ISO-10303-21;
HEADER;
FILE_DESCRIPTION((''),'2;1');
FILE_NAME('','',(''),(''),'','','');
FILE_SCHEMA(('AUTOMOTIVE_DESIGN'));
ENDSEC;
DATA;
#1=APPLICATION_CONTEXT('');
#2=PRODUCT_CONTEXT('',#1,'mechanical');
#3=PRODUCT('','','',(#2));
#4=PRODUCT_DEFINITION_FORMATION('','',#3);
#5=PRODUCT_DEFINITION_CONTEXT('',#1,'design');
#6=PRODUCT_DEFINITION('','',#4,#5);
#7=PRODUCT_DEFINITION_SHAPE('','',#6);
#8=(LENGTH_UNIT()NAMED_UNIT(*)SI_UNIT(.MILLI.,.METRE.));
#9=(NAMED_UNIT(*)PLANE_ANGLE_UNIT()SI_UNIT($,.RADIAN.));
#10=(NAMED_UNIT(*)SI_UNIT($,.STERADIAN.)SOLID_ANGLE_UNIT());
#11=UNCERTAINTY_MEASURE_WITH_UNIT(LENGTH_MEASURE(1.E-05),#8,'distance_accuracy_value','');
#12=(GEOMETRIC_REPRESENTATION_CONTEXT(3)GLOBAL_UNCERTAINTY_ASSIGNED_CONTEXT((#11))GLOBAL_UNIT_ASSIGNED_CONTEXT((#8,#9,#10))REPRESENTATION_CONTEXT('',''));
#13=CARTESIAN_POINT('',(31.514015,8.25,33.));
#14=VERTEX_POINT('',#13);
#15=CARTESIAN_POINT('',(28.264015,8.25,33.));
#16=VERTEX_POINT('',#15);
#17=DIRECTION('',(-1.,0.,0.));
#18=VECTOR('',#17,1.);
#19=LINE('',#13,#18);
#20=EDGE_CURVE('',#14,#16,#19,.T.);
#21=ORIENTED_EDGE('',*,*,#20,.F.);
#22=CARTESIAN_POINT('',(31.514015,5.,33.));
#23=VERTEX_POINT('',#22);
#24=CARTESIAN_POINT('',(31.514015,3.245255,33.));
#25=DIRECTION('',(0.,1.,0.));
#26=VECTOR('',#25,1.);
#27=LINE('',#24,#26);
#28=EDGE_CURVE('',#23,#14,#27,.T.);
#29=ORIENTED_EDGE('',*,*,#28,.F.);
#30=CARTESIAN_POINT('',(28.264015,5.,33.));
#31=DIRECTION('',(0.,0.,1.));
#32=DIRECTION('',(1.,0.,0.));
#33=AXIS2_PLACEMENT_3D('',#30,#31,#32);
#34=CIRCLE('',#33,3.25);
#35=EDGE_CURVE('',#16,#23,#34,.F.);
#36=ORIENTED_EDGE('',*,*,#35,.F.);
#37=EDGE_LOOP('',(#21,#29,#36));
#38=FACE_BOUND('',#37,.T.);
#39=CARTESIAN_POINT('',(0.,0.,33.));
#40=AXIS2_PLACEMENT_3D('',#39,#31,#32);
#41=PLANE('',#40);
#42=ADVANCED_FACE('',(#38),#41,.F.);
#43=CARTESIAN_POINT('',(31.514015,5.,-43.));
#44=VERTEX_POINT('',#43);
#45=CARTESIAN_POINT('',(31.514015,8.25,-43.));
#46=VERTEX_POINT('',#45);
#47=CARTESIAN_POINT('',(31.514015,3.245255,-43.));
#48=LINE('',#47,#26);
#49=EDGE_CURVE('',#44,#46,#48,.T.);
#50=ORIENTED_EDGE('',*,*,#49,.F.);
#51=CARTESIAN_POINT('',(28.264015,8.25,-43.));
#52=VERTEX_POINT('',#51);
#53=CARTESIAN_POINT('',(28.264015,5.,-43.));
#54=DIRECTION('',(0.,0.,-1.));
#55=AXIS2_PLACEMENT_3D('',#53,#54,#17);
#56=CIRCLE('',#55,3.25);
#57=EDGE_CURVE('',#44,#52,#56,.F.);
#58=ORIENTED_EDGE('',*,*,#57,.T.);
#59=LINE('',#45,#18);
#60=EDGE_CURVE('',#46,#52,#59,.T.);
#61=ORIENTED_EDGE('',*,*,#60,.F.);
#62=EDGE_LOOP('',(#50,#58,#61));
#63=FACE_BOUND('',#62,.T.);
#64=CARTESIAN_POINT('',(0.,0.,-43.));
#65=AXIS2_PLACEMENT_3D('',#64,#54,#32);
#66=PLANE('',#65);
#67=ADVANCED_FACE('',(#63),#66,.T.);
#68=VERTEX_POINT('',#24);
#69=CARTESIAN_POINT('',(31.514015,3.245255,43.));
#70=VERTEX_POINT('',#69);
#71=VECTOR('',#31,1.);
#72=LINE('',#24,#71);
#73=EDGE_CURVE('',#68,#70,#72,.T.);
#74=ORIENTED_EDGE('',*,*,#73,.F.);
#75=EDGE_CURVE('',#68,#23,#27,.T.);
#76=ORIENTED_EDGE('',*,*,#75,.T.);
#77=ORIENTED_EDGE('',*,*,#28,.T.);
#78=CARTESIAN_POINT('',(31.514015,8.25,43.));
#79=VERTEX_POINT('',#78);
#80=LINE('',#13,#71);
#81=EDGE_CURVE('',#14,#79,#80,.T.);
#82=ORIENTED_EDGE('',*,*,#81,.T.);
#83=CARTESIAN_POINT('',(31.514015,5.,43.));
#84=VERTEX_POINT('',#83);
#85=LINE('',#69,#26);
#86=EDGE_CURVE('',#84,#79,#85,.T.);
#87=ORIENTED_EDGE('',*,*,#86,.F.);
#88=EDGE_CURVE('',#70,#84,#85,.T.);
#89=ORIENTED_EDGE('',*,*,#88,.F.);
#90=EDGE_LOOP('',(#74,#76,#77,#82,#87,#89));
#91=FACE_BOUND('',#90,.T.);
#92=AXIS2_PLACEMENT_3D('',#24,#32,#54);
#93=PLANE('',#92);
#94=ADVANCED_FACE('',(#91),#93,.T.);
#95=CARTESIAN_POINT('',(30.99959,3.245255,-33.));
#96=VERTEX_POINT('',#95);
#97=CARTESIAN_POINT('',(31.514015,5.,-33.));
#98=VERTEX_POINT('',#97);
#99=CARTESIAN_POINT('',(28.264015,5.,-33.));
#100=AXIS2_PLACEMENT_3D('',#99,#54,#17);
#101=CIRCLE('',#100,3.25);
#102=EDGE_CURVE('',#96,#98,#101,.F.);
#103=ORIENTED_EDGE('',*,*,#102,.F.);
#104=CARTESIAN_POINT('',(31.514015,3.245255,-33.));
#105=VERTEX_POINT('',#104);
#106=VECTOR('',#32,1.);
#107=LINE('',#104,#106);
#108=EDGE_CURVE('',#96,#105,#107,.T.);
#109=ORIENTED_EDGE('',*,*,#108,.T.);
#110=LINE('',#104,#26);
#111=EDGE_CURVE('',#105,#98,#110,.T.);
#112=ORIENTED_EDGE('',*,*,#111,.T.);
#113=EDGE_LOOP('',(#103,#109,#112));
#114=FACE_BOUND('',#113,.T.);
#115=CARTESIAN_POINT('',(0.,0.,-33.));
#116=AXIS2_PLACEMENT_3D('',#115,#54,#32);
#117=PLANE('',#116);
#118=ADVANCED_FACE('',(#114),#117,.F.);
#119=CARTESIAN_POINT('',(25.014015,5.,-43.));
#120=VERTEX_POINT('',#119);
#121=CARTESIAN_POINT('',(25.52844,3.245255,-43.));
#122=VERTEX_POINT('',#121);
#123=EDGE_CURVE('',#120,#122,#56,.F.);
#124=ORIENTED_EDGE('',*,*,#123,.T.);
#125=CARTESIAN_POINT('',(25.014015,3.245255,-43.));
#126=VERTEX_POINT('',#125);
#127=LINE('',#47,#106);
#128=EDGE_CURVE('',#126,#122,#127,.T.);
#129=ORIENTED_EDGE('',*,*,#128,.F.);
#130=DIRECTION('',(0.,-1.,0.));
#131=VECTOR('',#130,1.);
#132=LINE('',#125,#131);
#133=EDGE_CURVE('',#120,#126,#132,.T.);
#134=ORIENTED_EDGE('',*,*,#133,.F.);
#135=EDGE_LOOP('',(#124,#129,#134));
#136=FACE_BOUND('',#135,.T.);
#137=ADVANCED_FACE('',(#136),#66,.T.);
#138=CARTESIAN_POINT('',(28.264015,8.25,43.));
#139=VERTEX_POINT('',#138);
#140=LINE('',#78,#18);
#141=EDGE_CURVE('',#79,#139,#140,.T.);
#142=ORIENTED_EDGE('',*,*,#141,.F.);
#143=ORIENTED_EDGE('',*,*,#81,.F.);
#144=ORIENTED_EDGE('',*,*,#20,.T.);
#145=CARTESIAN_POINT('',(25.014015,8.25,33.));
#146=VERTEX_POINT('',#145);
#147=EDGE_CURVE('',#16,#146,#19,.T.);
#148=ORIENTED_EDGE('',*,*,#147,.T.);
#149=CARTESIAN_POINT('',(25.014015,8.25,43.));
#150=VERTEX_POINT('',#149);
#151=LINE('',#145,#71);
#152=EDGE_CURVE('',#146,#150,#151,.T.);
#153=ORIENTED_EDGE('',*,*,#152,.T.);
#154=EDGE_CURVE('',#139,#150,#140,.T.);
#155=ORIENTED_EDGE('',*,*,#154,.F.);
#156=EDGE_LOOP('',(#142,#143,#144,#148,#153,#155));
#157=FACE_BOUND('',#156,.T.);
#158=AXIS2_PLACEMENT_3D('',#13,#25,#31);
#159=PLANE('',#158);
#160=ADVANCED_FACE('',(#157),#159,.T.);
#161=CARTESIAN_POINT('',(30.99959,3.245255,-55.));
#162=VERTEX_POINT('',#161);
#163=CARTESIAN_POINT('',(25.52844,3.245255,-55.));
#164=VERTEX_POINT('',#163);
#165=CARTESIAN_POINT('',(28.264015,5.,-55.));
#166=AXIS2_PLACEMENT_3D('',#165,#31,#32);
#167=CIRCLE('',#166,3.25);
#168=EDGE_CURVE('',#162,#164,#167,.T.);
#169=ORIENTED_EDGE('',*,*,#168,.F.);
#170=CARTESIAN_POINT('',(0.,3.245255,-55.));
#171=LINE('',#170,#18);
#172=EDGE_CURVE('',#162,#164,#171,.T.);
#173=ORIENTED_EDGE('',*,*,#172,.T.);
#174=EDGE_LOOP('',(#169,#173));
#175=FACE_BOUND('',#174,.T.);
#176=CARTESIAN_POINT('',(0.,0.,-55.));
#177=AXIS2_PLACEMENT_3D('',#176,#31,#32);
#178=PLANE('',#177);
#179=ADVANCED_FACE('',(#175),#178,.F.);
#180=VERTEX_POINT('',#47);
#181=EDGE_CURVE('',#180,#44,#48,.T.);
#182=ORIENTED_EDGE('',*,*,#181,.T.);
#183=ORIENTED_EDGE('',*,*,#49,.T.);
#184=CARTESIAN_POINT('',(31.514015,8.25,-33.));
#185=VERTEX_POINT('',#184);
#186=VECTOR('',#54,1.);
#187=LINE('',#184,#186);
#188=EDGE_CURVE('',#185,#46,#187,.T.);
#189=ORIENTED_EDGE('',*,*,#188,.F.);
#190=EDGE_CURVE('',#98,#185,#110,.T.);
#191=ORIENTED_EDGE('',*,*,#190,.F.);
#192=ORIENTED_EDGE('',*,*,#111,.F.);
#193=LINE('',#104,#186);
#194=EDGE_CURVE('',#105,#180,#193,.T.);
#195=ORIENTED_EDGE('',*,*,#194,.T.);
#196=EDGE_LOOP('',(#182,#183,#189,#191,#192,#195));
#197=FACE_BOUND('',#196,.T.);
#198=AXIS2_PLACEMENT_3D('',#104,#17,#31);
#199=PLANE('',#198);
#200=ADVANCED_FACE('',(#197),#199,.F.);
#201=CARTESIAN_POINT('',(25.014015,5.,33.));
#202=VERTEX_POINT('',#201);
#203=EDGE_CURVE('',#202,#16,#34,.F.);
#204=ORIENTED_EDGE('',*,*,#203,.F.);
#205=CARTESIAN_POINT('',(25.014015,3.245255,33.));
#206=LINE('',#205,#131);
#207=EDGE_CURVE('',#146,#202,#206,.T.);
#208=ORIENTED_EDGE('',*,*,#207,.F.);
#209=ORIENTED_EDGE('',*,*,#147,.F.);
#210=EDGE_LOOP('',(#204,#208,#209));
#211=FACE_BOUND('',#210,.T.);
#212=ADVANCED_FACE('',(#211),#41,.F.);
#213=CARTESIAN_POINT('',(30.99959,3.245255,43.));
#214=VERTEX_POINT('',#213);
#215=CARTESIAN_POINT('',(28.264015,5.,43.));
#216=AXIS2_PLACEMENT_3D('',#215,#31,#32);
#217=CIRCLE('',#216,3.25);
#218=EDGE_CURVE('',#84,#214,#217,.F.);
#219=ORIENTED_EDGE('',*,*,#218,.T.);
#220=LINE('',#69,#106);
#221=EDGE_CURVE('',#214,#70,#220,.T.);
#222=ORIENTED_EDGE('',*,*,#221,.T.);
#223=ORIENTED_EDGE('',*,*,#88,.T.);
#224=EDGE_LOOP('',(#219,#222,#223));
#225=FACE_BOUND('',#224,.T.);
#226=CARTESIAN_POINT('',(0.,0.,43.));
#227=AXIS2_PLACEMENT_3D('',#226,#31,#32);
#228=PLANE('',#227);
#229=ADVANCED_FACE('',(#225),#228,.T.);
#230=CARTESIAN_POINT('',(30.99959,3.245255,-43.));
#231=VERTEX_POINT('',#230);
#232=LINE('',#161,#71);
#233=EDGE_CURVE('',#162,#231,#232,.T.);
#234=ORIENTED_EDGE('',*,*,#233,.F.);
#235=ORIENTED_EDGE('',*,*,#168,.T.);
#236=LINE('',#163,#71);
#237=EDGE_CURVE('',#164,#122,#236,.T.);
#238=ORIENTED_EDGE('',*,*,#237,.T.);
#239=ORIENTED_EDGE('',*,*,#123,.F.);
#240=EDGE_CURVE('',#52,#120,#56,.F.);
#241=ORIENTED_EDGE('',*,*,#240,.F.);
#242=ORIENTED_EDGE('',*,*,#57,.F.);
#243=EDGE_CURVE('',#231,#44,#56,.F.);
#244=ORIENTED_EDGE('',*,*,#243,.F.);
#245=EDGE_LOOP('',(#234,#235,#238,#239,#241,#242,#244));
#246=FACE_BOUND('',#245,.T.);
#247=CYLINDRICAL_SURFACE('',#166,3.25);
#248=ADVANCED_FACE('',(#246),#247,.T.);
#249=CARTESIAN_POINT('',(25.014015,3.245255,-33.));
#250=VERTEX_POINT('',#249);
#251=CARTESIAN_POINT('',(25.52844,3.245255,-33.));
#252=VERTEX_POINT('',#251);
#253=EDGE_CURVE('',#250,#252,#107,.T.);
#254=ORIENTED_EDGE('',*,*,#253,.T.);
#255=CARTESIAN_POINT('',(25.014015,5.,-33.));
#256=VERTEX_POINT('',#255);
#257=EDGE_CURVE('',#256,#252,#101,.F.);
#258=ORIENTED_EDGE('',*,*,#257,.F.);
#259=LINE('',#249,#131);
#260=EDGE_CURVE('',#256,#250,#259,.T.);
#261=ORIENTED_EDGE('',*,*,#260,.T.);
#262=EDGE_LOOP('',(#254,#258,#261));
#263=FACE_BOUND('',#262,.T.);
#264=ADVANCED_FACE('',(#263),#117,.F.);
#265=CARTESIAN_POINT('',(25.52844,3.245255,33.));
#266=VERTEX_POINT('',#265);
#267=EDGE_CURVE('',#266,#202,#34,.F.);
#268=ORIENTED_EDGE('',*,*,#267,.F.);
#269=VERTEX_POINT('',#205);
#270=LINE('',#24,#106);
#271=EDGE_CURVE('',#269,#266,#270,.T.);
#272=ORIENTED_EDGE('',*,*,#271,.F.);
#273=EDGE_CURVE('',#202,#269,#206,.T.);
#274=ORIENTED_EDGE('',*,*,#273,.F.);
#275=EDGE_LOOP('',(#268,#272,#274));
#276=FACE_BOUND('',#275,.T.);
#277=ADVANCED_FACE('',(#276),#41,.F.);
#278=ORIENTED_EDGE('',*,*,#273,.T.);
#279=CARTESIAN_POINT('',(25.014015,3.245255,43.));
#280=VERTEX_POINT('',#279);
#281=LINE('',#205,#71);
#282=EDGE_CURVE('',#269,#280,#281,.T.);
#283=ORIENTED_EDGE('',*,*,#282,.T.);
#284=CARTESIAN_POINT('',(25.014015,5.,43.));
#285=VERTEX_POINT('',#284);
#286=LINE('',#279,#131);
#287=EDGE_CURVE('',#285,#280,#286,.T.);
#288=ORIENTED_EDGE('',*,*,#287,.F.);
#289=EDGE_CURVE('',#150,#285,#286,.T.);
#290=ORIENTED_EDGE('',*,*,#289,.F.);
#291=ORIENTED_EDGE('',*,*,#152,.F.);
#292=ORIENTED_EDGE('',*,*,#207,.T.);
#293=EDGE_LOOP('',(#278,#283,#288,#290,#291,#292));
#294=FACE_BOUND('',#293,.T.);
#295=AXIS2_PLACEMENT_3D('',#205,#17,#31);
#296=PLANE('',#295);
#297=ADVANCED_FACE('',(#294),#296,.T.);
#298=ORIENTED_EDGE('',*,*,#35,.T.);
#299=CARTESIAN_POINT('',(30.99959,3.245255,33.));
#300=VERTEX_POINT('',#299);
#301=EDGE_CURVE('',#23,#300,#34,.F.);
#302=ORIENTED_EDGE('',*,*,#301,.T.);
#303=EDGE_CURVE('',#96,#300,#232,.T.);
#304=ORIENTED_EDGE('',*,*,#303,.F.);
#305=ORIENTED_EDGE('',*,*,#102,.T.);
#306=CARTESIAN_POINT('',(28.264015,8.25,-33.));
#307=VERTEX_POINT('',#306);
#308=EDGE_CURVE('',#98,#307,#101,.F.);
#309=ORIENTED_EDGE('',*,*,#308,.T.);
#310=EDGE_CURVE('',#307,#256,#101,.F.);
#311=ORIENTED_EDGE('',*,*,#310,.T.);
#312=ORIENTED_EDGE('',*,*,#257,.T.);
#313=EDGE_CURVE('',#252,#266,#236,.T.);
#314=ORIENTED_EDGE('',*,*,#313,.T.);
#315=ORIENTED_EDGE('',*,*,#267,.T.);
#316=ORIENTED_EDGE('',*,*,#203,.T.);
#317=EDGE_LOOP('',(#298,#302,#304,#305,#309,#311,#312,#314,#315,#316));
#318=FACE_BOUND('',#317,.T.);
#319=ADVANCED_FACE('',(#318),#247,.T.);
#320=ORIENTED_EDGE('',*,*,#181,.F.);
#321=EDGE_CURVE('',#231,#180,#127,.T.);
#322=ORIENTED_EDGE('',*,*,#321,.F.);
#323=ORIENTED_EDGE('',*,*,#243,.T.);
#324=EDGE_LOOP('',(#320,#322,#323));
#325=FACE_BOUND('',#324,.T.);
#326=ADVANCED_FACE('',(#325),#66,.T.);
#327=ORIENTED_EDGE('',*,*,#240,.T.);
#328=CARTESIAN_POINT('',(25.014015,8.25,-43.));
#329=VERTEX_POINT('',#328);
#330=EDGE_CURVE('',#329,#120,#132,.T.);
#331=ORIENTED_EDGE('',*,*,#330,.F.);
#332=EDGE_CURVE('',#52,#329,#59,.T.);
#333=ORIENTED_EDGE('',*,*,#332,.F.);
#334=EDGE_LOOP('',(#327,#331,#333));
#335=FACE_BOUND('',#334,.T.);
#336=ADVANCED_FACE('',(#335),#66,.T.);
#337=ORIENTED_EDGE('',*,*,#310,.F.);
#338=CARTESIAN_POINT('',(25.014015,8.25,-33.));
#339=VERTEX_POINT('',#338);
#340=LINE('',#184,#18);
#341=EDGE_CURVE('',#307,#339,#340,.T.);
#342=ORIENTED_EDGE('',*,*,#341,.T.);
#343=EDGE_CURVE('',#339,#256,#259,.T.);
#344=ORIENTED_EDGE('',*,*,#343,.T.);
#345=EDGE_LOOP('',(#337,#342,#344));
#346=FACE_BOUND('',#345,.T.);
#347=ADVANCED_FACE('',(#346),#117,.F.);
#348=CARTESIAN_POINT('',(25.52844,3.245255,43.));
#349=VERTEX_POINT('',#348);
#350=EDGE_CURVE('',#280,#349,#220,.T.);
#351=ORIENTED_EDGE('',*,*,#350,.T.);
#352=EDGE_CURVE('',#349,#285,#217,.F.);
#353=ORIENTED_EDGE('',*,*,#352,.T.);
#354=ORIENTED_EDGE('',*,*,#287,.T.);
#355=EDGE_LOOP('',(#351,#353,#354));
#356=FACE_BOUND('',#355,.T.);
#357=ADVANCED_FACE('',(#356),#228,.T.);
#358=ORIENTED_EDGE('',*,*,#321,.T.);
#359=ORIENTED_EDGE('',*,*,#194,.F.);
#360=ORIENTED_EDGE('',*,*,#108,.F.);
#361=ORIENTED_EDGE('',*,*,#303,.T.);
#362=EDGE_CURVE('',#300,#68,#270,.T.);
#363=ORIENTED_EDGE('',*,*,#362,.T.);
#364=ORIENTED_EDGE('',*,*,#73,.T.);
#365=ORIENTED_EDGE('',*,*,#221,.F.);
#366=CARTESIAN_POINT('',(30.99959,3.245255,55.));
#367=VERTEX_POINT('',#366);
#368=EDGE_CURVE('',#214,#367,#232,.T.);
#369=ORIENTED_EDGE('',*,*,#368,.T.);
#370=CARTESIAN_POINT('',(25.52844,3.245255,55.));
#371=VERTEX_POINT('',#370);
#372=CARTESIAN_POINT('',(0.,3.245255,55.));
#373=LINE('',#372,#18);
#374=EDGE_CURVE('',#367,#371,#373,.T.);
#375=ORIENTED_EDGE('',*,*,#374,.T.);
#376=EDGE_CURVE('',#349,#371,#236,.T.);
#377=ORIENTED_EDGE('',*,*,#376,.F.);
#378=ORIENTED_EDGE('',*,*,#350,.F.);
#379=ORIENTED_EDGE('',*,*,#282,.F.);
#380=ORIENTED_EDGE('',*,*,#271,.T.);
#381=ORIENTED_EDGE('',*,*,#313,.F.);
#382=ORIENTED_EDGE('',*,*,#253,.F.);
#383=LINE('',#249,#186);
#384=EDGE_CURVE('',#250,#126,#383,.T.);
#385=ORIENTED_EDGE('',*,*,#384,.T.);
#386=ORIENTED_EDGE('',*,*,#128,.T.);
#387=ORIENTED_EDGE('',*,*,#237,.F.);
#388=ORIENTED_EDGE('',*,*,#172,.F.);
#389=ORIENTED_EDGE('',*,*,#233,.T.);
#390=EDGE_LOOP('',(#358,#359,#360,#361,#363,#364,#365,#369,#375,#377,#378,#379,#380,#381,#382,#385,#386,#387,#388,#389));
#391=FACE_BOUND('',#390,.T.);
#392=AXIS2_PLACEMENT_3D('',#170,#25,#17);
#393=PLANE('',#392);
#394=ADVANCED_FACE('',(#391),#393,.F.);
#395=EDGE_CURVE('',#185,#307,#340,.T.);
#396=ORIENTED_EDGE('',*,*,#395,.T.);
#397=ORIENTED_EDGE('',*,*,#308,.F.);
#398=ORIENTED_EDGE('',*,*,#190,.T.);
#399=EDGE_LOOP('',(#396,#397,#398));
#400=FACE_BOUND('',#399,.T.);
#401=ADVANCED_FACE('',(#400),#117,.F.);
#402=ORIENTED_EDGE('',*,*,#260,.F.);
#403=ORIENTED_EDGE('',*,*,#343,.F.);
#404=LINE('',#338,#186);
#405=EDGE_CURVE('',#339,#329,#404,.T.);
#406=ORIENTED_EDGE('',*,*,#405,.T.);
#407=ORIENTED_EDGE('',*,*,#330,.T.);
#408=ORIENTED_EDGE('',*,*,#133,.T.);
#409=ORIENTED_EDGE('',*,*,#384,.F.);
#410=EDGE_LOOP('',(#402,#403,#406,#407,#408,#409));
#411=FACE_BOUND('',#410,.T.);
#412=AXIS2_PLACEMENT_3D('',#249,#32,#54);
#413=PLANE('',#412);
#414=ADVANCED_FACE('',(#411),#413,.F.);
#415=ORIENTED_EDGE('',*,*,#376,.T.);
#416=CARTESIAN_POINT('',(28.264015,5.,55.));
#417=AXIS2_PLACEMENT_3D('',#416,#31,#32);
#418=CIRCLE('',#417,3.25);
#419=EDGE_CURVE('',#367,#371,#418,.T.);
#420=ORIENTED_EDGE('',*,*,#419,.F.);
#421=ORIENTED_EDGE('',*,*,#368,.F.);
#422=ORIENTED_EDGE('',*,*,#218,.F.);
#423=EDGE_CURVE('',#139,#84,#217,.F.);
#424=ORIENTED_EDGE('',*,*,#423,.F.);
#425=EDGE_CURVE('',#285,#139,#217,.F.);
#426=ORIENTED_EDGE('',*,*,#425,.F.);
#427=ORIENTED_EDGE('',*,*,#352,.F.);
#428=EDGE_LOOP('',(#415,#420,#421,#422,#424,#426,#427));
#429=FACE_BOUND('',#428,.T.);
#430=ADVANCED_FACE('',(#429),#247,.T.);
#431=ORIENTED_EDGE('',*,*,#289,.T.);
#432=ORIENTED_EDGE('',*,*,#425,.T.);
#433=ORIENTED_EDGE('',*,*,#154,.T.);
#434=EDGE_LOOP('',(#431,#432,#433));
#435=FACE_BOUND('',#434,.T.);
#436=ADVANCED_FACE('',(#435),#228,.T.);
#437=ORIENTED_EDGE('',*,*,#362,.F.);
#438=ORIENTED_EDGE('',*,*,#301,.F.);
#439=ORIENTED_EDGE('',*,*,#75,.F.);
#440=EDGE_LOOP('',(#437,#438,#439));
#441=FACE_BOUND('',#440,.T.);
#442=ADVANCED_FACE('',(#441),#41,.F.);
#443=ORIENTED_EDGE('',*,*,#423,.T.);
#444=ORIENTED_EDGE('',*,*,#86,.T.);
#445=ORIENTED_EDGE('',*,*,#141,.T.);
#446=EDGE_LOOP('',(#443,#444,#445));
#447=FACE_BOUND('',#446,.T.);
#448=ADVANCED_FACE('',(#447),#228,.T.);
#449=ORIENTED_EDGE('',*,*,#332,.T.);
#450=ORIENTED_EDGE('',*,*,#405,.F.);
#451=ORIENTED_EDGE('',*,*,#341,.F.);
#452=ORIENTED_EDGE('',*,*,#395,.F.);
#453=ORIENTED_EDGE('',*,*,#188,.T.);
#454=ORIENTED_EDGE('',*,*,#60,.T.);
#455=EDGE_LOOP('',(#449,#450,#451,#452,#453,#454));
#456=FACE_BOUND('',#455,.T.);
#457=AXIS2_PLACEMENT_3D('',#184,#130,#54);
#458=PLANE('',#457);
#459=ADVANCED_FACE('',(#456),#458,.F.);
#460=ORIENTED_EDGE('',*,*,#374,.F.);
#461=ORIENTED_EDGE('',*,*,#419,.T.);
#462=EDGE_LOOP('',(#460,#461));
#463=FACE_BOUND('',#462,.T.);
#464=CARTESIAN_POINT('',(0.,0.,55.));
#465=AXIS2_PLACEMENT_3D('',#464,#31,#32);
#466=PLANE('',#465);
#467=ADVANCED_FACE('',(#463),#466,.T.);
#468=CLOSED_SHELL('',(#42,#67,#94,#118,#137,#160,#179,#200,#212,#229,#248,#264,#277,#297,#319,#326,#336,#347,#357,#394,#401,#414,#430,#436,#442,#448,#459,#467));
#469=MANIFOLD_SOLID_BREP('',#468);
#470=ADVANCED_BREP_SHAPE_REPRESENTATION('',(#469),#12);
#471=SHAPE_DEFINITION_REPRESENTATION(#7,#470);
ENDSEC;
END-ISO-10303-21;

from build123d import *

# Parameters (mm, degrees)
BOSS_EXTRUDE1_DEPTH      = 55
BOSS_EXTRUDE1_DEPTH_BACK = 55
SKETCH4_W                = 6.5
SKETCH4_H                = 5.004744749
BOSS_EXTRUDE3_DEPTH      = 10


with BuildPart() as part:
    # Sketch2 → Boss-Extrude1 (new, two sides: drawn at the far end of the back side and taken through both)
    with BuildSketch(Plane.XY.offset(-BOSS_EXTRUDE1_DEPTH_BACK)):
        with BuildLine():
            Line((25.528440089, 3.245255251), (30.999590193, 3.245255251))
            ThreePointArc((30.999590193, 3.245255251), (31.382758391, 4.08570216), (31.514015141, 5))
            ThreePointArc((31.514015141, 5), (27.349717301, 8.11874325), (25.528440089, 3.245255251))
        make_face()
    extrude(amount=BOSS_EXTRUDE1_DEPTH + BOSS_EXTRUDE1_DEPTH_BACK)

    # Sketch4 → Boss-Extrude3 (add)
    with BuildSketch(Plane.XY.offset(43)):
        with Locations((28.264015141, 5.747627625)):
            Rectangle(SKETCH4_W, SKETCH4_H)
    boss_extrude3 = extrude(amount=-BOSS_EXTRUDE3_DEPTH)

    # Mirror1: Boss-Extrude3 across plane
    add(boss_extrude3.mirror(Plane.XY))


solid = part.part
